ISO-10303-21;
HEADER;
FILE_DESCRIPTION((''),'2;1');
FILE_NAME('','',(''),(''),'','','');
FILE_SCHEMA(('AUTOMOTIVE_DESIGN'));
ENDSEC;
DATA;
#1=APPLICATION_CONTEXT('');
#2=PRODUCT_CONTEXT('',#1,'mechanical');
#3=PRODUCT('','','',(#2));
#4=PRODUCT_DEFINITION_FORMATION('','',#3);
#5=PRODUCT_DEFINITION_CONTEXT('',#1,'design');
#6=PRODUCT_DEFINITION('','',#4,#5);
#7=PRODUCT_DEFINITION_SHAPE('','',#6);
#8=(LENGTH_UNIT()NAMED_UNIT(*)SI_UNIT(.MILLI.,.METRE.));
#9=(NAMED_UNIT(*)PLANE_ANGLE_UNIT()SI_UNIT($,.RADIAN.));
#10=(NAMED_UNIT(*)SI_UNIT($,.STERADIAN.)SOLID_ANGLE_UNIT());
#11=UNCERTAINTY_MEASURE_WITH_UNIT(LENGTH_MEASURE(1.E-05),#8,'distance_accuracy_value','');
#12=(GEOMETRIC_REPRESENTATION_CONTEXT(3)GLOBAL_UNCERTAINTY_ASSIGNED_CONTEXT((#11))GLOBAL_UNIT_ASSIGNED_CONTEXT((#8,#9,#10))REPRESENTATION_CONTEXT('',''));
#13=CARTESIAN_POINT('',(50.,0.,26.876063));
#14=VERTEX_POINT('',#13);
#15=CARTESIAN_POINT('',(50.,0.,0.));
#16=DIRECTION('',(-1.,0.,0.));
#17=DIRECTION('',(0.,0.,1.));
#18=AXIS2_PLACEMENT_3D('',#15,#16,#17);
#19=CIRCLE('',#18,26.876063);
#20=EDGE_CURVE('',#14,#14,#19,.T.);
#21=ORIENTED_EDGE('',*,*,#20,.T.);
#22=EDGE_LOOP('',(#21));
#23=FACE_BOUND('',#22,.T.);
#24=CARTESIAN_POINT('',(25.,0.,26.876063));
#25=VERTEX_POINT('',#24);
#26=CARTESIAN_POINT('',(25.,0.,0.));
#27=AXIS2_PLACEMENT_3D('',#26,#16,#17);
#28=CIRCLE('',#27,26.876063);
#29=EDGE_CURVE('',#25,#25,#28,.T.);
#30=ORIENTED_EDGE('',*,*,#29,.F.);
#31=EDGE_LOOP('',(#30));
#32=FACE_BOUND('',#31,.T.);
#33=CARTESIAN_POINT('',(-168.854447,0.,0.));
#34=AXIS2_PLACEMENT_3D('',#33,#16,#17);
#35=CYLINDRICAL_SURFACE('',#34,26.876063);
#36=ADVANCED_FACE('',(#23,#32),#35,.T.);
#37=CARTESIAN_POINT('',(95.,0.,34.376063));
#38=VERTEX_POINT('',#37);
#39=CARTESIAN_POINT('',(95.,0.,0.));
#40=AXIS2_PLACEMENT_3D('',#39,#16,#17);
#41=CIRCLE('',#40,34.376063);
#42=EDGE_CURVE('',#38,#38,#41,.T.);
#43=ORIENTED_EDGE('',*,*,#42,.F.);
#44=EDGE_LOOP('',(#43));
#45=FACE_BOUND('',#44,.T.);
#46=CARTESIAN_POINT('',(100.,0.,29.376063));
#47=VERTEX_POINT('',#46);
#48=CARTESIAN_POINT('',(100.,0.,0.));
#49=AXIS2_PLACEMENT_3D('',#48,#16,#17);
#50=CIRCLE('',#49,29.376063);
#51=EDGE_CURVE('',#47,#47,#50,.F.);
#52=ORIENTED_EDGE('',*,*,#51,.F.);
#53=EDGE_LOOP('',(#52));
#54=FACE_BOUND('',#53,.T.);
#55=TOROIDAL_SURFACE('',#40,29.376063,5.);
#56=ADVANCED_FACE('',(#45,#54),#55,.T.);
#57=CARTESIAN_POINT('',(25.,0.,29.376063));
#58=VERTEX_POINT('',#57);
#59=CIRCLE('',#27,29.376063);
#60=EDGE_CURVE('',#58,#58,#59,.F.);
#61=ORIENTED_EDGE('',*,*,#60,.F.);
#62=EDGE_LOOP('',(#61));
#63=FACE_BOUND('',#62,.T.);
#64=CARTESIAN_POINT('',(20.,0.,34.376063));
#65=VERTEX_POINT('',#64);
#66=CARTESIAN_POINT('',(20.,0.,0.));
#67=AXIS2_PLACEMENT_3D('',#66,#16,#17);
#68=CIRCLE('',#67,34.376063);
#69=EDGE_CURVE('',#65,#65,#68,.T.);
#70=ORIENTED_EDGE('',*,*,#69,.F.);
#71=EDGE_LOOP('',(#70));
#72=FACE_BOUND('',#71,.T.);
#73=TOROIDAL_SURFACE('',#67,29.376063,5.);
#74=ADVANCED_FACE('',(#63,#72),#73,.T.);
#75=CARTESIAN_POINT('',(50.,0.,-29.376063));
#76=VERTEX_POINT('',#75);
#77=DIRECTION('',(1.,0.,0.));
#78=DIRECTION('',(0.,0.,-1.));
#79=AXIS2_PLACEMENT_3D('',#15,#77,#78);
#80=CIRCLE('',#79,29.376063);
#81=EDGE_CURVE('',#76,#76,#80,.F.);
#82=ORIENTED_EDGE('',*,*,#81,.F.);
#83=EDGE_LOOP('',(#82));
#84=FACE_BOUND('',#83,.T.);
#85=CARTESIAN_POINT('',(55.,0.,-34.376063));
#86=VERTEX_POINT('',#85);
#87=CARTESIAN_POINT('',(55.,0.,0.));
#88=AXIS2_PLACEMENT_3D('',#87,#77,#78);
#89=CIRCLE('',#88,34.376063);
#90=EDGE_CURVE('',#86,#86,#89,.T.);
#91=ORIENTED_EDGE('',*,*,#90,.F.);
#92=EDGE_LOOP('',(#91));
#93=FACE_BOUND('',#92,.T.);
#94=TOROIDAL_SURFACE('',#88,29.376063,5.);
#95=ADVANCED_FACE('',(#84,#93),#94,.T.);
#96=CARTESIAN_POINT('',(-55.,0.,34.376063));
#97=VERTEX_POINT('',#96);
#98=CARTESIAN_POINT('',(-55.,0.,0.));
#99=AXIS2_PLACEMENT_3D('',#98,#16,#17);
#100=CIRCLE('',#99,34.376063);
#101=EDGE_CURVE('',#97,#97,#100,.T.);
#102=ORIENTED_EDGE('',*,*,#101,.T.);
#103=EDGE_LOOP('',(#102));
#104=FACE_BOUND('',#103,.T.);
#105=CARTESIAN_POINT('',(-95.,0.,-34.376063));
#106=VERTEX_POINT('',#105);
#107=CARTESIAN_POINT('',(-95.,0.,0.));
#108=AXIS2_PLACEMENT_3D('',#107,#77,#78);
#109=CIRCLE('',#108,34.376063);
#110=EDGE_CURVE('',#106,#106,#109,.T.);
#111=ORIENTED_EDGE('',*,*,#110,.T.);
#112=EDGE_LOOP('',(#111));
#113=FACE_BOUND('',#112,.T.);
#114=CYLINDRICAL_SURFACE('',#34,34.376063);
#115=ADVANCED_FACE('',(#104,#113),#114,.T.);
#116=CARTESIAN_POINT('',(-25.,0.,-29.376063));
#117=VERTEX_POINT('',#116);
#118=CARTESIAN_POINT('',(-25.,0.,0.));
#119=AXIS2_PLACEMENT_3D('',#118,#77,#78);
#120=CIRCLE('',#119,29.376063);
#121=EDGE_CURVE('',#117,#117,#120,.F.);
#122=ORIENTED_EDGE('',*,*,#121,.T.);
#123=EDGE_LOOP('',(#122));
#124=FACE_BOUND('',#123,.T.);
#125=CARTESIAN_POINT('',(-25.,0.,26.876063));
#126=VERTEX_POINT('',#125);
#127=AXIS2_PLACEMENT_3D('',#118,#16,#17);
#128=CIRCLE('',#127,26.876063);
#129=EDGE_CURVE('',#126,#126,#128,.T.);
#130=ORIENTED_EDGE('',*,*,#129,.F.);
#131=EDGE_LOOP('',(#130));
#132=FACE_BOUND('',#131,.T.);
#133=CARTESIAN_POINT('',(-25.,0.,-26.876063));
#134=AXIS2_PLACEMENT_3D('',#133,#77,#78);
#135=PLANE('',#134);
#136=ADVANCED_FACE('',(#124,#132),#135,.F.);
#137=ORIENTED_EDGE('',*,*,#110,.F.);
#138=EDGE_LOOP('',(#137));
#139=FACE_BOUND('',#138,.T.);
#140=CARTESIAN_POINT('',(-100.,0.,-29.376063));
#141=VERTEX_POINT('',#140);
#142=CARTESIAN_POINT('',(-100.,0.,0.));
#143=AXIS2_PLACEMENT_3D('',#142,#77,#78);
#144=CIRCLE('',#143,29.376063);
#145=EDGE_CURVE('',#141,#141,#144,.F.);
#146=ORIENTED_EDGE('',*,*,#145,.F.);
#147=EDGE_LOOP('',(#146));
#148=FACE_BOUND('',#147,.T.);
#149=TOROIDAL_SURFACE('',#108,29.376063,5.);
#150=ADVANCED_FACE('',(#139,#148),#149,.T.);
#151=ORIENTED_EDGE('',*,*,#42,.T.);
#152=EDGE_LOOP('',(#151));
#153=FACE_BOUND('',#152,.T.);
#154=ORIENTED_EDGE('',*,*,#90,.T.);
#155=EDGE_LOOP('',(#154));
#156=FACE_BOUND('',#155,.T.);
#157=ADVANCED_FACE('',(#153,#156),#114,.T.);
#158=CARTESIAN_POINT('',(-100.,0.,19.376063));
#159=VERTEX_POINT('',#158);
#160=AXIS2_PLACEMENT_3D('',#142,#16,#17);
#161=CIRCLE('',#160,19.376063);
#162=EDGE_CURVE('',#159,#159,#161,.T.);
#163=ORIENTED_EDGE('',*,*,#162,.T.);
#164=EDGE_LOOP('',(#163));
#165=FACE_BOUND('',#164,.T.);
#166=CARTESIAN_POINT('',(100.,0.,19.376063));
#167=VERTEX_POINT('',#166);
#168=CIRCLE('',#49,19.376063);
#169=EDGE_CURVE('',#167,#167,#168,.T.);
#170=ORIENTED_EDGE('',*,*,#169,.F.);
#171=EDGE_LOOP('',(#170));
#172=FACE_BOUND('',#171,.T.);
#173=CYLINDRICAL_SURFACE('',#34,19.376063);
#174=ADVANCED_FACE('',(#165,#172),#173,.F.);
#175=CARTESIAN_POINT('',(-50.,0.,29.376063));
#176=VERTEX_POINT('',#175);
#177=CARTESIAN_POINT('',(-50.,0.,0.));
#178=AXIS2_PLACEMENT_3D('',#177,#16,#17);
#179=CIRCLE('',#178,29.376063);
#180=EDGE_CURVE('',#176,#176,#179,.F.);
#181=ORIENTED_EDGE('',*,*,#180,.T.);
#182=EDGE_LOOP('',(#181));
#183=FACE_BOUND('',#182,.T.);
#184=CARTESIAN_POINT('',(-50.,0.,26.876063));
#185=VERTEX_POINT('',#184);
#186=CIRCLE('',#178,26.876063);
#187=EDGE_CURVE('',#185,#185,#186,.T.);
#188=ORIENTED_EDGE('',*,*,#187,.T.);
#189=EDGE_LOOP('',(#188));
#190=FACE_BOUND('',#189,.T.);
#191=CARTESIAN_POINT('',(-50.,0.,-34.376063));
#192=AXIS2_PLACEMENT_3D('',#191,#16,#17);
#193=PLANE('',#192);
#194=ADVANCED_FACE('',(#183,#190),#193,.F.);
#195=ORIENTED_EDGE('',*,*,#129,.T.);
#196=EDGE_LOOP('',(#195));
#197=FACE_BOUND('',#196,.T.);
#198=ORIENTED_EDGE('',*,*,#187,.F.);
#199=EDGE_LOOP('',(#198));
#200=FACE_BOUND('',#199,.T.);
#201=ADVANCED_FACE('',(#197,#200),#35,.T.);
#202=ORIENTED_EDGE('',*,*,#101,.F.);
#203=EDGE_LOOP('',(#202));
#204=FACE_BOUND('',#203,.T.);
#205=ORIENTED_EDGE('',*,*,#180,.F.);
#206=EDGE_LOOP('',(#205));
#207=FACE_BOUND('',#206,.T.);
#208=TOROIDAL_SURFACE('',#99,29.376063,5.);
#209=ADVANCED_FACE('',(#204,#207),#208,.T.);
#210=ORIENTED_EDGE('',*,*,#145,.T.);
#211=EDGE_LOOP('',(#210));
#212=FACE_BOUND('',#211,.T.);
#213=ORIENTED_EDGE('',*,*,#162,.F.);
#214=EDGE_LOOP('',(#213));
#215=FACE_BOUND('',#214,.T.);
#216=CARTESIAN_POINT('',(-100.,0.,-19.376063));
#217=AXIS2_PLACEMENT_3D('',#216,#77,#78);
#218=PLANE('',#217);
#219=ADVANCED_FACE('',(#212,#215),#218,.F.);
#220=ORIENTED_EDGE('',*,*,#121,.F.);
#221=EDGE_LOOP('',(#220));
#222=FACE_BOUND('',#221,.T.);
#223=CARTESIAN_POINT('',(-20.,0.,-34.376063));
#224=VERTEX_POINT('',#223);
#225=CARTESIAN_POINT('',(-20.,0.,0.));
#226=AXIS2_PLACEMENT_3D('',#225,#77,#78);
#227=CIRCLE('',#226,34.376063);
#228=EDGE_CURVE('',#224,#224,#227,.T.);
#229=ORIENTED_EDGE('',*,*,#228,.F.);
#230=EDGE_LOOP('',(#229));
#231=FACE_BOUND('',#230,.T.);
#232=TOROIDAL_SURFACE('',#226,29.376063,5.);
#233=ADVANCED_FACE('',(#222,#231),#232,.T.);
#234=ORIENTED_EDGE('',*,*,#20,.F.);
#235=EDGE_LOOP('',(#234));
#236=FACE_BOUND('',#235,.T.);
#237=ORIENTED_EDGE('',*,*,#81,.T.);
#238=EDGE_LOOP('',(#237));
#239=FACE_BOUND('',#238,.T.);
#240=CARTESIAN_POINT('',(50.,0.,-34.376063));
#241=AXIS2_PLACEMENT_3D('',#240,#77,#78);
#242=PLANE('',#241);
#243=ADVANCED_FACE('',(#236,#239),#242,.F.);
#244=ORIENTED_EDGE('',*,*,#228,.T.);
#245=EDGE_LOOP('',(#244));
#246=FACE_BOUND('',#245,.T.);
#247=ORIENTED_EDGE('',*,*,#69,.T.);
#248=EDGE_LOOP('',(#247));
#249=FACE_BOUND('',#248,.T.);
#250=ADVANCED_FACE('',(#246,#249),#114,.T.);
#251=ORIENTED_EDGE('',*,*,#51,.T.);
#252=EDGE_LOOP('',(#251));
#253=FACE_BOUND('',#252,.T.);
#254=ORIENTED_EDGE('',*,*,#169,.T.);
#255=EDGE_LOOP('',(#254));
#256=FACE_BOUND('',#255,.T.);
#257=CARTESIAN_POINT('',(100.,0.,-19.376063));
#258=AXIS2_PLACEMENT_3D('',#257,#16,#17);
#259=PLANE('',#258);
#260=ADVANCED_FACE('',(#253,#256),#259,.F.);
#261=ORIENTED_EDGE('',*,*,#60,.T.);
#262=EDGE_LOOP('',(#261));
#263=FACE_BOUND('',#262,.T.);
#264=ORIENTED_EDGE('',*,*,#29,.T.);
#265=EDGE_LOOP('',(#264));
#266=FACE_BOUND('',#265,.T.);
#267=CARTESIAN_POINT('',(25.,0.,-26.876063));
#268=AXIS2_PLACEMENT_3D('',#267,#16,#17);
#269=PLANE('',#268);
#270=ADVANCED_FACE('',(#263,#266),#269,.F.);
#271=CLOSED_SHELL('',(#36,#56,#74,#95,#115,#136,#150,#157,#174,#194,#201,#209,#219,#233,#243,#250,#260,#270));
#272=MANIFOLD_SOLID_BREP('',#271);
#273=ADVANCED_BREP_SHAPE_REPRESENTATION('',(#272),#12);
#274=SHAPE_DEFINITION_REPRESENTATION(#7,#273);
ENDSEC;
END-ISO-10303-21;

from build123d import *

# Parameters (mm, degrees)
FILLET1_R = 5


with BuildPart() as part:
    # Sketch1 → Revolve1 (revolve)
    with BuildSketch(Plane(origin=(0, 0, 0), x_dir=(1, 0, 0), z_dir=(0, 1, 0)), mode=Mode.PRIVATE) as revolve1_sk:
        Polygon((100, 19.376063405), (-100, 19.376063405), (-100, 34.376063405), (-50, 34.376063405), (-50, 26.876063405), (-25, 26.876063405), (-25, 34.376063405), (25, 34.376063405), (25, 26.876063405), (50, 26.876063405), (50, 34.376063405), (100, 34.376063405), align=None)
    revolve(revolve1_sk.sketch.rotate(Axis((-168.854447157, 0, 0), (1, 0, 0)), 180), axis=Axis((-168.854447157, 0, 0), (1, 0, 0)))

    # Fillet1
    fillet1_edges = [part.edges().sort_by_distance(p)[0] for p in [
        (-100, 0, -34.376063405),
        (-50, 0, -34.376063405),
        (-25, 0, -34.376063405),
        (25, 0, -34.376063405),
        (50, 0, -34.376063405),
        (100, 0, -34.376063405),
    ]]
    fillet(fillet1_edges, radius=FILLET1_R)


solid = part.part
